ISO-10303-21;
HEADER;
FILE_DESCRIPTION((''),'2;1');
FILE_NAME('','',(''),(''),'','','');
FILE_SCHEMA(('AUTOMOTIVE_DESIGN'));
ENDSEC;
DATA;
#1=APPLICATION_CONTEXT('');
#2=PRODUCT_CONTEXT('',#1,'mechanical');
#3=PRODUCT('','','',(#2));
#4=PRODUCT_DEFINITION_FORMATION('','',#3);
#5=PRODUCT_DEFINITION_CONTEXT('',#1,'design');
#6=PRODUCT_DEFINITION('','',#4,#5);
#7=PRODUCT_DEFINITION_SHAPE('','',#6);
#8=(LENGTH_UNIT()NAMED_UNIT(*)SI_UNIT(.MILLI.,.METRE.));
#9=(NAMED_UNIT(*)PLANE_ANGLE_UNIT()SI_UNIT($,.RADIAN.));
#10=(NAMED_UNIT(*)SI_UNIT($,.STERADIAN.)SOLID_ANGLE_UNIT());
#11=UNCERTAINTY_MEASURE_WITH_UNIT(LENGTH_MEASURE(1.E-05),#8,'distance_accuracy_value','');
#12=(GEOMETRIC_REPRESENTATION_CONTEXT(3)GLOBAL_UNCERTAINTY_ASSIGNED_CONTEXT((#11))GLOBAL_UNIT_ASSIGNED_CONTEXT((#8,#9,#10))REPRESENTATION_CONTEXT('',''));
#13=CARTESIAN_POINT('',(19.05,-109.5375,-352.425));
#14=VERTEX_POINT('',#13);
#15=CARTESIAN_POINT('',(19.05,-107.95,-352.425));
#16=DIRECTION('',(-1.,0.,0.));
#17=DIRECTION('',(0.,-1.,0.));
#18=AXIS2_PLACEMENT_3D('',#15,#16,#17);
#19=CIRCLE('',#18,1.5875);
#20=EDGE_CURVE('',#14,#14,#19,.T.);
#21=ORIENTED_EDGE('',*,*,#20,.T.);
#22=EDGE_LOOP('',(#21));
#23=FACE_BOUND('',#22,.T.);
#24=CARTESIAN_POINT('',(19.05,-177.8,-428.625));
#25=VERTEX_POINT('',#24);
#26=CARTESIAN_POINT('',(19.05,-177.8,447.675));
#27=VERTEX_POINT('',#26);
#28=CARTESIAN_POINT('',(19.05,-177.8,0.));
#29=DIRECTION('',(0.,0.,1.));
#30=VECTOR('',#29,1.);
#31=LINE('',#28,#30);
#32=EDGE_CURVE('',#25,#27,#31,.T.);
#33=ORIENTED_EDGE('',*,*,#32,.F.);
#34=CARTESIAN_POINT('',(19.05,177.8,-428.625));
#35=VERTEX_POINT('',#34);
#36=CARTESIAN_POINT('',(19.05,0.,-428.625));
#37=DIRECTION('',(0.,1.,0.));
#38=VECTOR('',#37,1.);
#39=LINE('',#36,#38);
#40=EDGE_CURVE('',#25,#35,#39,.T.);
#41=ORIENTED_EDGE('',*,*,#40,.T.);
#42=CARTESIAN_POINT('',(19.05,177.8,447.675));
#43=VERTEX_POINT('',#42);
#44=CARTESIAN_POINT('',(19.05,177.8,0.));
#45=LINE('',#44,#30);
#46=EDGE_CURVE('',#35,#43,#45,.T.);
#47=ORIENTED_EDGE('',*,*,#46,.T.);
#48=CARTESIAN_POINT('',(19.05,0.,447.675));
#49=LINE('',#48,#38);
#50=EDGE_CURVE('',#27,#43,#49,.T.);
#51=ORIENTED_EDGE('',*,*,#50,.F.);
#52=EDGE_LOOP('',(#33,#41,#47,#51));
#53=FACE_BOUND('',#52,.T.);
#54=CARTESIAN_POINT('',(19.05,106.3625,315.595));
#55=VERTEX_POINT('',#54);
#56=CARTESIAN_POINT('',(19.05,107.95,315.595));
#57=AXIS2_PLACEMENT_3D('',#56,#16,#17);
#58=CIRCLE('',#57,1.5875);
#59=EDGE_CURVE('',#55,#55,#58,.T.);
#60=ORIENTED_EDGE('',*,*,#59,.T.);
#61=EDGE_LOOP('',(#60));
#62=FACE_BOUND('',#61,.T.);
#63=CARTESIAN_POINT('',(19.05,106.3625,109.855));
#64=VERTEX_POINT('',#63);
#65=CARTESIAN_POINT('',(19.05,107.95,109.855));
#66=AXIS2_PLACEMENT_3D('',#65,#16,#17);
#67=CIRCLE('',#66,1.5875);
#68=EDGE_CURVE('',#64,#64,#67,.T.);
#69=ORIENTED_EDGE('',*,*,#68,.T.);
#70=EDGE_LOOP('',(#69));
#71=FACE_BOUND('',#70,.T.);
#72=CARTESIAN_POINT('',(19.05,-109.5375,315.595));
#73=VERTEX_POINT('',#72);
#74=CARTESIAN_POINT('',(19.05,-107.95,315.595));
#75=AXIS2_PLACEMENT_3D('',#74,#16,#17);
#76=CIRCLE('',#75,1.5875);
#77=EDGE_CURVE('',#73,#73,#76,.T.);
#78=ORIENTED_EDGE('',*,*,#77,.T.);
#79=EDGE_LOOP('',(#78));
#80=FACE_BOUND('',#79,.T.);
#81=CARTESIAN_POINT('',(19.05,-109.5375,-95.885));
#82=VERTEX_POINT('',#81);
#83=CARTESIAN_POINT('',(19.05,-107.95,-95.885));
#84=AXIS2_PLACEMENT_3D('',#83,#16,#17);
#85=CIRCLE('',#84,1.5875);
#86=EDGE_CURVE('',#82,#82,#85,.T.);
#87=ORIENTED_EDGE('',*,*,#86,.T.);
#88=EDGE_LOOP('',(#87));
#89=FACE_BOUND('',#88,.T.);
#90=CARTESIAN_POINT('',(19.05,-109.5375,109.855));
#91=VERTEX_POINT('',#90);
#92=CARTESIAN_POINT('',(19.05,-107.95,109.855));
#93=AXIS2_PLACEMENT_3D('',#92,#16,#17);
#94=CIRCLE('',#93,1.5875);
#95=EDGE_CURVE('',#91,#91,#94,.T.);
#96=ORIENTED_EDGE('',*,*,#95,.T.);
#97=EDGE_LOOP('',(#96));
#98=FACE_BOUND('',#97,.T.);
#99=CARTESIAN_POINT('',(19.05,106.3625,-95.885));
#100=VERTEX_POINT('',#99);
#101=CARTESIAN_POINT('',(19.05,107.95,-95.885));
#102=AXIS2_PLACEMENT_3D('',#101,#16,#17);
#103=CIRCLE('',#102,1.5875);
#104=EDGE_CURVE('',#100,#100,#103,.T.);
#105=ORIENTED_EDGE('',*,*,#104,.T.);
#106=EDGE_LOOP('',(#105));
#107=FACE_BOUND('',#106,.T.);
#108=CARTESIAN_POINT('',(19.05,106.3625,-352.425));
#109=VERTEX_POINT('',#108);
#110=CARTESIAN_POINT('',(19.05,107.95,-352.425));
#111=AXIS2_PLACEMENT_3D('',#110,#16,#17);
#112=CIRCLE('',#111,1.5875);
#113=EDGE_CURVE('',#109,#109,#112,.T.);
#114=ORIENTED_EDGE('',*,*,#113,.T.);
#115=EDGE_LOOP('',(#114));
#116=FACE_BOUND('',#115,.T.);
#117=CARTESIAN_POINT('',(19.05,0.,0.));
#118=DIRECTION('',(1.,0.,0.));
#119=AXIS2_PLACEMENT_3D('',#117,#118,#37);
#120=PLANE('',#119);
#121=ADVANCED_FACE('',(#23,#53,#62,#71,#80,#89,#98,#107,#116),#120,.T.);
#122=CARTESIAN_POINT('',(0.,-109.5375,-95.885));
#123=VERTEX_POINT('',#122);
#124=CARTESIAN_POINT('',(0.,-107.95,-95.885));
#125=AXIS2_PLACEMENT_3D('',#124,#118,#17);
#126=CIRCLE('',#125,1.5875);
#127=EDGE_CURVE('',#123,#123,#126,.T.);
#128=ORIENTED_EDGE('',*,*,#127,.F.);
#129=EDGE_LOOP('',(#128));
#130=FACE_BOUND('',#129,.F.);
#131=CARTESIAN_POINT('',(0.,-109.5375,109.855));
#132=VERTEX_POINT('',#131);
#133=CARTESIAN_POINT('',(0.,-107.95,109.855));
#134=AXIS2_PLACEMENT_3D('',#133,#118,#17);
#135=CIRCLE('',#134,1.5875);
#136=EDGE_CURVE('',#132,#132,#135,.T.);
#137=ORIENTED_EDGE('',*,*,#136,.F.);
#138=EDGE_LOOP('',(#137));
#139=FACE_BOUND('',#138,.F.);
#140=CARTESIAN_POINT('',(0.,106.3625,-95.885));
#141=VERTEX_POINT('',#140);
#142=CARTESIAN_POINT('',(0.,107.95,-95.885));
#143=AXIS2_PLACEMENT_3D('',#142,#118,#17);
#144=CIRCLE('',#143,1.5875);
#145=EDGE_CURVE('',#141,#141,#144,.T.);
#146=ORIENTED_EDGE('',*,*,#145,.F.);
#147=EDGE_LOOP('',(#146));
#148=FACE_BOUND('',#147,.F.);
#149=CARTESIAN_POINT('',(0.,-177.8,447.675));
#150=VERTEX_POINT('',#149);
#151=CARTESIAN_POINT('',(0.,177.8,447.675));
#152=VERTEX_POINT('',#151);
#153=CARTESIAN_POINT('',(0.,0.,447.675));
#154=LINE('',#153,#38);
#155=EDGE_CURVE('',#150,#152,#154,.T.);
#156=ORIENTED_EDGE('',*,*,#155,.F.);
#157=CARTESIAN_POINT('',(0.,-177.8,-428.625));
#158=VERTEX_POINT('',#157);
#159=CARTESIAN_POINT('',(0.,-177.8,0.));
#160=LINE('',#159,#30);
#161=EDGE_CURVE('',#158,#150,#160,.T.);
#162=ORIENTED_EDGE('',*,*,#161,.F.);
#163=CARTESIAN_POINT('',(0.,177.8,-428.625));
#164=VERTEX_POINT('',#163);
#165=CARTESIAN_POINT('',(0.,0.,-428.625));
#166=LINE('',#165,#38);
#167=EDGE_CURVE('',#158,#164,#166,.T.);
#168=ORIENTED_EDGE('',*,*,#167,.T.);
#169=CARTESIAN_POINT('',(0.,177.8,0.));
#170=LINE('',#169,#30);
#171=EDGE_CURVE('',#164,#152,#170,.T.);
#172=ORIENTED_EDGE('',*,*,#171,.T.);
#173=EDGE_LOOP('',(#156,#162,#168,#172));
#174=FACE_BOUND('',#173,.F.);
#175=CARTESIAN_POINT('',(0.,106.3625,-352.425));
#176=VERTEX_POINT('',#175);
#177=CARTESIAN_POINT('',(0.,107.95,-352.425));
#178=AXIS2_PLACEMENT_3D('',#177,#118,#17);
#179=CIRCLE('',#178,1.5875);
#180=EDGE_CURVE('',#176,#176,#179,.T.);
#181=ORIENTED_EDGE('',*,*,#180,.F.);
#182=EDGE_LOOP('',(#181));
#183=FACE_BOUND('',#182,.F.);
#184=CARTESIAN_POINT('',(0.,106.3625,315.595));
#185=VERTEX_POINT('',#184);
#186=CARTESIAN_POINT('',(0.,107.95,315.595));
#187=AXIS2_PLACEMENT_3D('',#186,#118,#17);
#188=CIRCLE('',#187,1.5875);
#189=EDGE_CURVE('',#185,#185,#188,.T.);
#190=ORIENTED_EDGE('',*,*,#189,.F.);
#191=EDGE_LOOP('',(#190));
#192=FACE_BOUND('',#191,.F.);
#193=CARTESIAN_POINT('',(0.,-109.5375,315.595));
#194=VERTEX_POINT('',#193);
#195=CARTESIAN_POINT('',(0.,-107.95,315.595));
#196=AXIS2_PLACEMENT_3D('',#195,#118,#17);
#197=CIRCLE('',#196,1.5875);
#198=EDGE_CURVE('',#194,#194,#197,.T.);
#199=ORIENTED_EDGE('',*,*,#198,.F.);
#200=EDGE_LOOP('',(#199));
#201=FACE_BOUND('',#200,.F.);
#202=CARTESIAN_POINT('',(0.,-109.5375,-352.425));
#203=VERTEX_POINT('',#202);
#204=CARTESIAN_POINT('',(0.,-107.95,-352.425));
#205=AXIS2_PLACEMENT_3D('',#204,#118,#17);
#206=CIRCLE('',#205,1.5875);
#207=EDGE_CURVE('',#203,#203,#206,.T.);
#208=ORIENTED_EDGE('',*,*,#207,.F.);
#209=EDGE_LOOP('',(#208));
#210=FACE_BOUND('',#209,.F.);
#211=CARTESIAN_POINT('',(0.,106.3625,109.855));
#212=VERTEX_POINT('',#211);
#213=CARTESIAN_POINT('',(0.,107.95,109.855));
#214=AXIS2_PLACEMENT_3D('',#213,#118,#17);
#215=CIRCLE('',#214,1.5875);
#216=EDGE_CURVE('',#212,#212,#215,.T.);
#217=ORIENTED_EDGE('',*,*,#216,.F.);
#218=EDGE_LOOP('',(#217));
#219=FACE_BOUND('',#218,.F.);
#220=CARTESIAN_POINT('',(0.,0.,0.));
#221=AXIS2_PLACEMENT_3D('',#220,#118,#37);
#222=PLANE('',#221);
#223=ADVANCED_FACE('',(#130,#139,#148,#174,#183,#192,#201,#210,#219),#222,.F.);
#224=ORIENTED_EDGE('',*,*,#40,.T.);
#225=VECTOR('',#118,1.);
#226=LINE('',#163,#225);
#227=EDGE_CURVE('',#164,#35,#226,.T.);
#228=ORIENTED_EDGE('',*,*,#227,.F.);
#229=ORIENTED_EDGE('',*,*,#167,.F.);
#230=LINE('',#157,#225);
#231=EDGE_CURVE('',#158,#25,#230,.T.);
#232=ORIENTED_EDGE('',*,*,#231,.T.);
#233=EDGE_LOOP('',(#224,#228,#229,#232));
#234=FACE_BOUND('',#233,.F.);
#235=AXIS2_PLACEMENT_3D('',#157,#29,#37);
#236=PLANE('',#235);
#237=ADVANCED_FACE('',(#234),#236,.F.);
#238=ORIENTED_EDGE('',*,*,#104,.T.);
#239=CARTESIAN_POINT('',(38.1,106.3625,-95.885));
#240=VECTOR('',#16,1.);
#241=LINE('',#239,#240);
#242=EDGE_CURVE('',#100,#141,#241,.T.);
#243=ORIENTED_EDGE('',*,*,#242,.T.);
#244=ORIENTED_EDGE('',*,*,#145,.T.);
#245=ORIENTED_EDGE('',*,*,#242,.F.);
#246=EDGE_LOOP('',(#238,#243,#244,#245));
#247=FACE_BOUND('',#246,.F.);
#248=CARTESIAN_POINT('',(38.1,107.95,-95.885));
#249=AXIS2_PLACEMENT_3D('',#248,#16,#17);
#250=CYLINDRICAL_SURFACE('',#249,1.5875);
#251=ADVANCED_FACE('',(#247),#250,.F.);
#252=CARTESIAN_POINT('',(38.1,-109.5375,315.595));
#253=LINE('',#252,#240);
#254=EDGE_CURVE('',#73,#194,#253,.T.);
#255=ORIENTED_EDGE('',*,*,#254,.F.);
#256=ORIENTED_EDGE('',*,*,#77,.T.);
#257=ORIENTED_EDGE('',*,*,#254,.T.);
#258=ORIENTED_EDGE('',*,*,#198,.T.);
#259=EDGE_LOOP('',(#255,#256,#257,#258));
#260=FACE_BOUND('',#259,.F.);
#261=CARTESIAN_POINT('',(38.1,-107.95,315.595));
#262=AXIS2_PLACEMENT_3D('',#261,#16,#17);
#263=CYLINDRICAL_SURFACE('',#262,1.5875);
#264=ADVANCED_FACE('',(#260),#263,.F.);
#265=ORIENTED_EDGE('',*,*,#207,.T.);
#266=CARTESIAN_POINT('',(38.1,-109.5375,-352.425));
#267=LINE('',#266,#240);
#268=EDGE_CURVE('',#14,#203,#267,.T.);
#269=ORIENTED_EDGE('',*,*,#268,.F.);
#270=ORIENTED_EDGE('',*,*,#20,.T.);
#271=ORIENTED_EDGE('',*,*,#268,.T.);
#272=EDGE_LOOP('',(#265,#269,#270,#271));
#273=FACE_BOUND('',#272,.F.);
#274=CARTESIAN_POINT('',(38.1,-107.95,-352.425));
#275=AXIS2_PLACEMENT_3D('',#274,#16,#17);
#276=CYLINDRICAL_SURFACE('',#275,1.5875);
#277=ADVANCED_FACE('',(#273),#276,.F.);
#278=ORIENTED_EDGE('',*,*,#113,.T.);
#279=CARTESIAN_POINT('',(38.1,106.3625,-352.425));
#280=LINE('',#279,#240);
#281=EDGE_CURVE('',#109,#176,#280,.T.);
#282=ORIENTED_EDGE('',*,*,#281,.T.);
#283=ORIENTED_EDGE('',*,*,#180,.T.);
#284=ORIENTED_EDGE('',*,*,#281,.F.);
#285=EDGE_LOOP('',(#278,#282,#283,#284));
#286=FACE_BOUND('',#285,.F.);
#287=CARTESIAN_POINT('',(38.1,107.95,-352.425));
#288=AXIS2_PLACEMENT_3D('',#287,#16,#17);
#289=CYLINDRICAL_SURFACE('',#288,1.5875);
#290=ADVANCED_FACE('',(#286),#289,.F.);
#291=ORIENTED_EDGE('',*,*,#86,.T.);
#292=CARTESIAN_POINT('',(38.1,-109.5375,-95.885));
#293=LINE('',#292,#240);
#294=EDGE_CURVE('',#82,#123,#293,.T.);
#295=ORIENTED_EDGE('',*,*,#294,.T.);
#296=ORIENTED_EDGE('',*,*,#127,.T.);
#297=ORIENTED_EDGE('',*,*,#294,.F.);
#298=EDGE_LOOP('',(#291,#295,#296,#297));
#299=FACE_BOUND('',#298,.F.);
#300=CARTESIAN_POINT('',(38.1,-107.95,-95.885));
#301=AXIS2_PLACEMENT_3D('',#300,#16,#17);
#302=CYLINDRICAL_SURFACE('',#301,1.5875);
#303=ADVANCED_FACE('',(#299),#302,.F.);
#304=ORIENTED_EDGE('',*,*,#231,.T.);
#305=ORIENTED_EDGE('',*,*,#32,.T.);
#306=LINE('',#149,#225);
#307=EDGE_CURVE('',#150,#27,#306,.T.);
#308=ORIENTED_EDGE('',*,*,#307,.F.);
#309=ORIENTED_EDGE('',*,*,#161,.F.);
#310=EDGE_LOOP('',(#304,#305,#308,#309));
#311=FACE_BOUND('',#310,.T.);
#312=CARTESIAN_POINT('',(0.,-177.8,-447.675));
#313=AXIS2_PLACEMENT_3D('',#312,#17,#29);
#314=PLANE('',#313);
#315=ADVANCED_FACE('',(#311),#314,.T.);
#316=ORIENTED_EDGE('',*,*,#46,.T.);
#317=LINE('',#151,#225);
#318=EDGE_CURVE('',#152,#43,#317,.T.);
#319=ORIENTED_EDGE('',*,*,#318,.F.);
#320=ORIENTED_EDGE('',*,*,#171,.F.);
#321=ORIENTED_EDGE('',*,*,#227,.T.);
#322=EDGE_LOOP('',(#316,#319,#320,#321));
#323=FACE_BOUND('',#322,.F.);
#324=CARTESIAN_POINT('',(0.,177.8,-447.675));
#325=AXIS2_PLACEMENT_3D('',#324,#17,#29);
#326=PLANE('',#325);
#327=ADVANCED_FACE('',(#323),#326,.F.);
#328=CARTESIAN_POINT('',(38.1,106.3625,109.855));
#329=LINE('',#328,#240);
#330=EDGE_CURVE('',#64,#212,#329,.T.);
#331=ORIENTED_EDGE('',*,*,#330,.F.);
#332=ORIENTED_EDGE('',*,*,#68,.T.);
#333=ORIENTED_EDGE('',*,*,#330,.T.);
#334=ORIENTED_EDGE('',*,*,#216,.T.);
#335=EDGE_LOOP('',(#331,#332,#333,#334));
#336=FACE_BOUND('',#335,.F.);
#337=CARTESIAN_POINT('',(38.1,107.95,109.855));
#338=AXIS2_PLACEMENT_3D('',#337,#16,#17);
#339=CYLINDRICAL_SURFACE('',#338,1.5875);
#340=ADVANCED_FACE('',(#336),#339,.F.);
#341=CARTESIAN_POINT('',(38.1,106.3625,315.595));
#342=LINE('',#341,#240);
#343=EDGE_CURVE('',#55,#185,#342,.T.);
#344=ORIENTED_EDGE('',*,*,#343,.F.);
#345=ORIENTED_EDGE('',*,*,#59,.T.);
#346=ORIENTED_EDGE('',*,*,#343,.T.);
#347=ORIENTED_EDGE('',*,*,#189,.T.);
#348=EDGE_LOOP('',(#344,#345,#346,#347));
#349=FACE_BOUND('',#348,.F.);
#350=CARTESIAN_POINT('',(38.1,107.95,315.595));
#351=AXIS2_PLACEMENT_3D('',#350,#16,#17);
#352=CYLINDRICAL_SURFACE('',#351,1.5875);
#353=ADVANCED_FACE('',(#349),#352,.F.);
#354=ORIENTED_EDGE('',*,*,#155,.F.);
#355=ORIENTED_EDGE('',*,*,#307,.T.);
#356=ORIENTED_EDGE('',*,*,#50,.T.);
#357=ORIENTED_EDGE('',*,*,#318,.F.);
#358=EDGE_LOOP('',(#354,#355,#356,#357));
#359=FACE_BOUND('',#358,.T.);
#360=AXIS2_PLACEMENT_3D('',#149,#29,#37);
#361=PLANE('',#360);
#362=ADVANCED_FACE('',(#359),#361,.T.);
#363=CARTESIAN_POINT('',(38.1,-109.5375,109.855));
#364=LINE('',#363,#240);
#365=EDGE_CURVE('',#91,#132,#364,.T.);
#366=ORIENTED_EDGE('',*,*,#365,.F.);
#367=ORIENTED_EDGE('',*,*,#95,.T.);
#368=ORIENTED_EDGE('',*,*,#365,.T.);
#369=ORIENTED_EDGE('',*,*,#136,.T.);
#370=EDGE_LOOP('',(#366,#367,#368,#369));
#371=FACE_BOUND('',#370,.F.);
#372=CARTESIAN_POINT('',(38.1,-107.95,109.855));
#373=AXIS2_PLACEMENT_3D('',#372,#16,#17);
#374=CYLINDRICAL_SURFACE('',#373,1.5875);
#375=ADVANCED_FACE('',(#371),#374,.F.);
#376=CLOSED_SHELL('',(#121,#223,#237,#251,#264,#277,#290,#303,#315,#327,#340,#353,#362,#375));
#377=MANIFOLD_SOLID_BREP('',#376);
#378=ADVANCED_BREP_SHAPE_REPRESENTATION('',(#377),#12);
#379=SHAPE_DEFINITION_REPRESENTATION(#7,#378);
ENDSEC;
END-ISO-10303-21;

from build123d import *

# Parameters (mm, degrees)
F0_W     = 355.6
F0_H     = 895.35
F1_DEPTH = 19.05
F3_D     = 3.175
F3_DEPTH = 19.05
F3_TIP   = 0.9538662327
F4_DEPTH = 19.05


with BuildPart() as f1:
    # F0 (on Right) → F1 (new body)
    with BuildSketch(Plane.YZ):
        Rectangle(F0_W, F0_H)
    extrude(amount=F1_DEPTH)

    # F3
    with Locations(Plane.YZ.offset(19.05)):
        with Locations((-107.95, 315.595), (107.95, 315.595), (107.95, 109.855), (-107.95, 109.855), (-107.95, -95.885), (107.95, -95.885), (107.95, -352.425), (-107.95, -352.425)):
            Hole(F3_D / 2, depth=F3_DEPTH)
            with Locations((0, 0, -(F3_DEPTH + F3_TIP / 2))):  # 118° drill point
                Cone(0, F3_D / 2, F3_TIP, mode=Mode.SUBTRACT)

    # F4 (cut): a face of the model
    f4_faces = [f1.faces().sort_by_distance(p)[0] for p in [
        (9.525, 0, -447.675),
    ]]
    extrude(f4_faces, amount=-F4_DEPTH, mode=Mode.SUBTRACT)


solid = f1.part
